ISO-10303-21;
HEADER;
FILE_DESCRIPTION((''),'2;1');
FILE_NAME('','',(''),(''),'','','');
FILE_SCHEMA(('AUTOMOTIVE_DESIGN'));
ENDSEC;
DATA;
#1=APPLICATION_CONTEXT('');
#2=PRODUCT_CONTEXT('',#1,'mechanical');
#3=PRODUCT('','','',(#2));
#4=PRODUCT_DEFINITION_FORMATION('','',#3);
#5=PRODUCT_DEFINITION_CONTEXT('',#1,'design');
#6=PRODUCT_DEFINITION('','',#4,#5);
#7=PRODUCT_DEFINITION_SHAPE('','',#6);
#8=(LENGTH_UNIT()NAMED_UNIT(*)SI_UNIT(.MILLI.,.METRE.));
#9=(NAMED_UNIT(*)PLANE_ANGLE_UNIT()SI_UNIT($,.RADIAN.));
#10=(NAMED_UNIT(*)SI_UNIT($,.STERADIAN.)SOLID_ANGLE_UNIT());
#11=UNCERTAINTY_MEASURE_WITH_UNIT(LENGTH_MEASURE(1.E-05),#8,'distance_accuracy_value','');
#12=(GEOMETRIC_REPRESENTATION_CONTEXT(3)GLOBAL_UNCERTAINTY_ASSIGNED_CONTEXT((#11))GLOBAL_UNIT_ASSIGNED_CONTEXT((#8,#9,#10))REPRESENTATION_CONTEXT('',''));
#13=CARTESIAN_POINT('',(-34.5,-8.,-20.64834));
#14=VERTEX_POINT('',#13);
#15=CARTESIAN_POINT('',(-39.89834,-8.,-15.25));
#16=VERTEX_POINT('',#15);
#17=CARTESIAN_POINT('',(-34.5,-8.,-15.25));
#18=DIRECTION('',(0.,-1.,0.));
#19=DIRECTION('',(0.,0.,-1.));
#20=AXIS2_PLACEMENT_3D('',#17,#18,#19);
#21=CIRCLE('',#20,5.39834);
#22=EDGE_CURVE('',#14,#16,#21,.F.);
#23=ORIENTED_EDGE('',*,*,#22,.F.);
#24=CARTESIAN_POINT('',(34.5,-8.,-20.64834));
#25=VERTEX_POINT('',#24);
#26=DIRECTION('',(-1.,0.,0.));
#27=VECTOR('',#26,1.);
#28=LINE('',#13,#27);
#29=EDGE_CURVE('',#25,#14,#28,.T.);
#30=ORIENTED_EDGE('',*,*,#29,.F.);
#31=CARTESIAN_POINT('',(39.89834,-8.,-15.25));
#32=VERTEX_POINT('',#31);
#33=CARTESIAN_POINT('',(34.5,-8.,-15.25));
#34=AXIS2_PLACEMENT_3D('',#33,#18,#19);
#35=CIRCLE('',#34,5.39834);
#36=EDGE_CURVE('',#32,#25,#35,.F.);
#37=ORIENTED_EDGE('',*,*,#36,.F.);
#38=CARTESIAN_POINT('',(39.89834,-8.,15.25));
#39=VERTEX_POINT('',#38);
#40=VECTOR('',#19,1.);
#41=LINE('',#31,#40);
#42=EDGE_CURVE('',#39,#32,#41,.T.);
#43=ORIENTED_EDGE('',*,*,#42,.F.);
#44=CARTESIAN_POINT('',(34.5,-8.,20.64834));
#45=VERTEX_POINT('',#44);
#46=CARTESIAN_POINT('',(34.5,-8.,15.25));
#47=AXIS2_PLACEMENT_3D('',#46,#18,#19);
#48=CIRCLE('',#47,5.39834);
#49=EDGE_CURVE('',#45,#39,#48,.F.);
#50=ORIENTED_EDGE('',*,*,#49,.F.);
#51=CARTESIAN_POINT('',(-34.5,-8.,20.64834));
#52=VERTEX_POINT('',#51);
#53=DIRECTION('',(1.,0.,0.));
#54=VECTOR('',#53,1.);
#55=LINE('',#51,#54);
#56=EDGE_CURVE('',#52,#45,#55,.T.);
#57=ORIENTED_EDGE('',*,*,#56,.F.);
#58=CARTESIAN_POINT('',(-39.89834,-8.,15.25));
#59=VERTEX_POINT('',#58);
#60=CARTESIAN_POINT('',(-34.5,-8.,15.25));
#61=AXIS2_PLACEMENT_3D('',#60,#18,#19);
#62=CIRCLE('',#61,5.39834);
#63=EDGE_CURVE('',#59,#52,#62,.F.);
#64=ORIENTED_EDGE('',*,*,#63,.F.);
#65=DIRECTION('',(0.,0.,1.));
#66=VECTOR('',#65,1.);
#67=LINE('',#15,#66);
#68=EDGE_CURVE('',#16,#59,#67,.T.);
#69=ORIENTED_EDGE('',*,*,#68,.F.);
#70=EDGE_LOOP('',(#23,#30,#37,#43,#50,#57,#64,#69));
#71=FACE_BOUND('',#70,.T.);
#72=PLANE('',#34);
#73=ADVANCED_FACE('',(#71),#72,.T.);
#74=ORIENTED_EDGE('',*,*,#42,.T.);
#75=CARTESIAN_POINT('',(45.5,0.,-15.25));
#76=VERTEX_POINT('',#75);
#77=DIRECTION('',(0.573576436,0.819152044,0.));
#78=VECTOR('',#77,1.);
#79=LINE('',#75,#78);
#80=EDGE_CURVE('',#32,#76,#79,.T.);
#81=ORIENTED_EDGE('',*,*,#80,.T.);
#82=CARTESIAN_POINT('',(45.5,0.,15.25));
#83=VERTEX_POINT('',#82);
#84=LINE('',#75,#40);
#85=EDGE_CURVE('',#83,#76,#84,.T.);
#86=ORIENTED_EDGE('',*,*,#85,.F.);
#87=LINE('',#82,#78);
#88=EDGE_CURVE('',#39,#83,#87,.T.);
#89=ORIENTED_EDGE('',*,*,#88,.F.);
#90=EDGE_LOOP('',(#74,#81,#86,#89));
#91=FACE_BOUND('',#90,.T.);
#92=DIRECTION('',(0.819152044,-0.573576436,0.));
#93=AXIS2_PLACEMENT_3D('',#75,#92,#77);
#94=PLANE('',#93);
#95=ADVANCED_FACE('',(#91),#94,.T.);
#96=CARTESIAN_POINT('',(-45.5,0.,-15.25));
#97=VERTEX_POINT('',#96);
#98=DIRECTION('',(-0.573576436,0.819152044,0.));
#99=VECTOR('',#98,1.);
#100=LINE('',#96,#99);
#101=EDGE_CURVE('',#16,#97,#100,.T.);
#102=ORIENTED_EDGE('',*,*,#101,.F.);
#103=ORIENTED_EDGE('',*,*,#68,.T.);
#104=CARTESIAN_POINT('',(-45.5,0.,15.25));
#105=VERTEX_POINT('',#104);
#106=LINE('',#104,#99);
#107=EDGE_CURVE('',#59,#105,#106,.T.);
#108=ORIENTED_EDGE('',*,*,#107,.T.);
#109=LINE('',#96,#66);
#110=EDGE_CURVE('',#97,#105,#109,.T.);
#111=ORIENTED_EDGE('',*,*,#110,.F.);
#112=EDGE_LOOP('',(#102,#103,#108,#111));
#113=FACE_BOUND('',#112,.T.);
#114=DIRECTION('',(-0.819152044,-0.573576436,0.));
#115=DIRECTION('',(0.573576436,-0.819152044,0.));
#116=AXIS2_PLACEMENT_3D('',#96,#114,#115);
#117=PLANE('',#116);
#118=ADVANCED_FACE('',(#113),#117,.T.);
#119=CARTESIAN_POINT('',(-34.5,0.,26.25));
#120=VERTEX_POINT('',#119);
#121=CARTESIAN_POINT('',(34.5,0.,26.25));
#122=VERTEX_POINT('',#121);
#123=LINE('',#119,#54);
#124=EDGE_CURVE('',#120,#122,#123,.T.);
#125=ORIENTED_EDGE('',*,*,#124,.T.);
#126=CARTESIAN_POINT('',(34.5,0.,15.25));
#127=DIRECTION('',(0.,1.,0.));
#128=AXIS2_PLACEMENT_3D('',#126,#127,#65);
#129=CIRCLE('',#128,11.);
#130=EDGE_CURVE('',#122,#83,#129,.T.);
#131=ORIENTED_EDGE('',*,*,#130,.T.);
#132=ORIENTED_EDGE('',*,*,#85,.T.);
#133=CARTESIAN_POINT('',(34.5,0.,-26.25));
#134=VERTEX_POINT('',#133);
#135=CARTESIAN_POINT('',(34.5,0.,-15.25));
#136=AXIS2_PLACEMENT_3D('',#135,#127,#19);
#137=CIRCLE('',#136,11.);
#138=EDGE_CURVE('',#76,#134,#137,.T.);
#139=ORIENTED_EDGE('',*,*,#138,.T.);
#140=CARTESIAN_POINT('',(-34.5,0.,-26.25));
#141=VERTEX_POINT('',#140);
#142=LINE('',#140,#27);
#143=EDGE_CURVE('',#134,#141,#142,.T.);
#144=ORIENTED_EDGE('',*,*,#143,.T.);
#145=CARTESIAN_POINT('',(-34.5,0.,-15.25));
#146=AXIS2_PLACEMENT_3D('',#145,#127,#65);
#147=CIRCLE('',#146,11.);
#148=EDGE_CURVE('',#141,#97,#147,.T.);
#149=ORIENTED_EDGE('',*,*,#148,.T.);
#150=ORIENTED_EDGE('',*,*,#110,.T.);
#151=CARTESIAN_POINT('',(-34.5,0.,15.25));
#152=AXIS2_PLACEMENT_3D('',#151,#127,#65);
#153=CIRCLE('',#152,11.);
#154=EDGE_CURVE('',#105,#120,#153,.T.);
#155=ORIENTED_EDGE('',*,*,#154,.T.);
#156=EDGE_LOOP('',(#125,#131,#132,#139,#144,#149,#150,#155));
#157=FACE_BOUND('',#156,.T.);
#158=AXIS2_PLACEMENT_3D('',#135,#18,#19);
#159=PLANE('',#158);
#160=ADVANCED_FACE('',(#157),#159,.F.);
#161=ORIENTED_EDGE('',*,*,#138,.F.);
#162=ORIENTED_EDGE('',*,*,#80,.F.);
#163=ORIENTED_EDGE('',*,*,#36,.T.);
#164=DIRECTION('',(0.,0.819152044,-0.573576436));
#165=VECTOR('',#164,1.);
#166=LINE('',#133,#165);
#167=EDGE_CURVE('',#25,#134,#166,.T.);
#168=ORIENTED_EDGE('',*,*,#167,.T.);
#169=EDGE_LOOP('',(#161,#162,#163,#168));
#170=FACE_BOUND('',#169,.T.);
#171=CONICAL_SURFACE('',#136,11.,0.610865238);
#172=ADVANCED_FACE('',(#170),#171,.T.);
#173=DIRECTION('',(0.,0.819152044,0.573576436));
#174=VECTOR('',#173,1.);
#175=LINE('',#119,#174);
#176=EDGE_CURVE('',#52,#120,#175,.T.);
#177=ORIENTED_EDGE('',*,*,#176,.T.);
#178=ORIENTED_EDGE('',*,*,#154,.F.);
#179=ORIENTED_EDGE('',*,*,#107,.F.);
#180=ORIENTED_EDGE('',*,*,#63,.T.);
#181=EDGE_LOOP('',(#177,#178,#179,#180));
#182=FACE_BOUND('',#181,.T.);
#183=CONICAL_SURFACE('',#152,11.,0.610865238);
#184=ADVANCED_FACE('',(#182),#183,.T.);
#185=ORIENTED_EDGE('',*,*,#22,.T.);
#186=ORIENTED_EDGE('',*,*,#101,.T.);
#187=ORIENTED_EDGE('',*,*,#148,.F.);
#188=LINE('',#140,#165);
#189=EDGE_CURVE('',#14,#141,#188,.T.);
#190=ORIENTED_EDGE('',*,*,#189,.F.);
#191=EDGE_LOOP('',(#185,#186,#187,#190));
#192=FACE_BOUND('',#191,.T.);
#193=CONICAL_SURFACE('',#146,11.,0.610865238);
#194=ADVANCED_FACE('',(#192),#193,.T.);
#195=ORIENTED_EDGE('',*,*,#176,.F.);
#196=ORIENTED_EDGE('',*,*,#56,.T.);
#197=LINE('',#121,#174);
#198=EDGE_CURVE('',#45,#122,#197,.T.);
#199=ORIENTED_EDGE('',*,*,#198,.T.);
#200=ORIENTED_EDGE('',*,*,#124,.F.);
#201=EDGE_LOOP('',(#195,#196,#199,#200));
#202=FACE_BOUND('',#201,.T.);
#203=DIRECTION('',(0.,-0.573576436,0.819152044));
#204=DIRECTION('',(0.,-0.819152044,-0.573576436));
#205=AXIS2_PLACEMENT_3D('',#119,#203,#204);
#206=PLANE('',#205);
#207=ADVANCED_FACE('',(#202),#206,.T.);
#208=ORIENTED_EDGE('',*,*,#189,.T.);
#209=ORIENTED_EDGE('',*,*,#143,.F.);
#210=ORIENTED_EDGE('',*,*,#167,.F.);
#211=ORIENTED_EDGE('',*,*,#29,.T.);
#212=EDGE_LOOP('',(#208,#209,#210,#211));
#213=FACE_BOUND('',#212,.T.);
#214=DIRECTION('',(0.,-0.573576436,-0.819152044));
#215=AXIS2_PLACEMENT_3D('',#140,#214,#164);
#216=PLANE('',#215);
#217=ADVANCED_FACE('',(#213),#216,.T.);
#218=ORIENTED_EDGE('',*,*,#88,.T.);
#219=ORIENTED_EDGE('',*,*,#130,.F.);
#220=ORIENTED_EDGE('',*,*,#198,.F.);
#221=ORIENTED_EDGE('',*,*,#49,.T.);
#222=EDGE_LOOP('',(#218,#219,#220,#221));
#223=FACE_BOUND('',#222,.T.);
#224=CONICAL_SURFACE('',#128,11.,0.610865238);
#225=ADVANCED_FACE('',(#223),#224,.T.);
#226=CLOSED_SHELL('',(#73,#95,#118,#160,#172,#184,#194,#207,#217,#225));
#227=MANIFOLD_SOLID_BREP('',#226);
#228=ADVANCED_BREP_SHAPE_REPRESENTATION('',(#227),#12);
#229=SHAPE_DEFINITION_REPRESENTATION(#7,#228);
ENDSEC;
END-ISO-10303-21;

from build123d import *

# Parameters (mm, degrees)
BOSS_EXTRUDE1_DEPTH = 8
BOSS_EXTRUDE1_DRAFT = -35


with BuildPart() as part:
    # Sketch1 → Boss-Extrude1 (with draft: the straight prism first)
    with BuildSketch(Plane(origin=(0, 0, 0), x_dir=(1, 0, 0), z_dir=(0, 1, 0))):
        with BuildLine():
            ThreePointArc((-34.5, 26.25), (-42.278174593, 23.028174593), (-45.5, 15.25))
            Line((-45.5, 15.25), (-45.5, -15.25))
            ThreePointArc((-45.5, -15.25), (-42.278174593, -23.028174593), (-34.5, -26.25))
            Line((-34.5, -26.25), (34.5, -26.25))
            ThreePointArc((34.5, -26.25), (42.278174593, -23.028174593), (45.5, -15.25))
            Line((45.5, -15.25), (45.5, 15.25))
            ThreePointArc((45.5, 15.25), (42.278174593, 23.028174593), (34.5, 26.25))
            Line((34.5, 26.25), (-34.5, 26.25))
        make_face()
    extrude(amount=-BOSS_EXTRUDE1_DEPTH)
    # Boss-Extrude1: the draft: its side faces are tilted about the plane it starts from
    boss_extrude1_sides = [part.faces().sort_by_distance(p)[0] for p in [
        (-42.278174593, -4, -23.028174593),
        (-45.5, -4, 0),
        (-42.278174593, -4, 23.028174593),
        (0, -4, 26.25),
        (42.278174593, -4, 23.028174593),
        (45.5, -4, 0),
        (42.278174593, -4, -23.028174593),
        (0, -4, -26.25),
    ]]
    draft(boss_extrude1_sides, Plane(origin=(0, 0, 0), x_dir=(1, 0, 0), z_dir=(0, 1, 0)), BOSS_EXTRUDE1_DRAFT)


solid = part.part
